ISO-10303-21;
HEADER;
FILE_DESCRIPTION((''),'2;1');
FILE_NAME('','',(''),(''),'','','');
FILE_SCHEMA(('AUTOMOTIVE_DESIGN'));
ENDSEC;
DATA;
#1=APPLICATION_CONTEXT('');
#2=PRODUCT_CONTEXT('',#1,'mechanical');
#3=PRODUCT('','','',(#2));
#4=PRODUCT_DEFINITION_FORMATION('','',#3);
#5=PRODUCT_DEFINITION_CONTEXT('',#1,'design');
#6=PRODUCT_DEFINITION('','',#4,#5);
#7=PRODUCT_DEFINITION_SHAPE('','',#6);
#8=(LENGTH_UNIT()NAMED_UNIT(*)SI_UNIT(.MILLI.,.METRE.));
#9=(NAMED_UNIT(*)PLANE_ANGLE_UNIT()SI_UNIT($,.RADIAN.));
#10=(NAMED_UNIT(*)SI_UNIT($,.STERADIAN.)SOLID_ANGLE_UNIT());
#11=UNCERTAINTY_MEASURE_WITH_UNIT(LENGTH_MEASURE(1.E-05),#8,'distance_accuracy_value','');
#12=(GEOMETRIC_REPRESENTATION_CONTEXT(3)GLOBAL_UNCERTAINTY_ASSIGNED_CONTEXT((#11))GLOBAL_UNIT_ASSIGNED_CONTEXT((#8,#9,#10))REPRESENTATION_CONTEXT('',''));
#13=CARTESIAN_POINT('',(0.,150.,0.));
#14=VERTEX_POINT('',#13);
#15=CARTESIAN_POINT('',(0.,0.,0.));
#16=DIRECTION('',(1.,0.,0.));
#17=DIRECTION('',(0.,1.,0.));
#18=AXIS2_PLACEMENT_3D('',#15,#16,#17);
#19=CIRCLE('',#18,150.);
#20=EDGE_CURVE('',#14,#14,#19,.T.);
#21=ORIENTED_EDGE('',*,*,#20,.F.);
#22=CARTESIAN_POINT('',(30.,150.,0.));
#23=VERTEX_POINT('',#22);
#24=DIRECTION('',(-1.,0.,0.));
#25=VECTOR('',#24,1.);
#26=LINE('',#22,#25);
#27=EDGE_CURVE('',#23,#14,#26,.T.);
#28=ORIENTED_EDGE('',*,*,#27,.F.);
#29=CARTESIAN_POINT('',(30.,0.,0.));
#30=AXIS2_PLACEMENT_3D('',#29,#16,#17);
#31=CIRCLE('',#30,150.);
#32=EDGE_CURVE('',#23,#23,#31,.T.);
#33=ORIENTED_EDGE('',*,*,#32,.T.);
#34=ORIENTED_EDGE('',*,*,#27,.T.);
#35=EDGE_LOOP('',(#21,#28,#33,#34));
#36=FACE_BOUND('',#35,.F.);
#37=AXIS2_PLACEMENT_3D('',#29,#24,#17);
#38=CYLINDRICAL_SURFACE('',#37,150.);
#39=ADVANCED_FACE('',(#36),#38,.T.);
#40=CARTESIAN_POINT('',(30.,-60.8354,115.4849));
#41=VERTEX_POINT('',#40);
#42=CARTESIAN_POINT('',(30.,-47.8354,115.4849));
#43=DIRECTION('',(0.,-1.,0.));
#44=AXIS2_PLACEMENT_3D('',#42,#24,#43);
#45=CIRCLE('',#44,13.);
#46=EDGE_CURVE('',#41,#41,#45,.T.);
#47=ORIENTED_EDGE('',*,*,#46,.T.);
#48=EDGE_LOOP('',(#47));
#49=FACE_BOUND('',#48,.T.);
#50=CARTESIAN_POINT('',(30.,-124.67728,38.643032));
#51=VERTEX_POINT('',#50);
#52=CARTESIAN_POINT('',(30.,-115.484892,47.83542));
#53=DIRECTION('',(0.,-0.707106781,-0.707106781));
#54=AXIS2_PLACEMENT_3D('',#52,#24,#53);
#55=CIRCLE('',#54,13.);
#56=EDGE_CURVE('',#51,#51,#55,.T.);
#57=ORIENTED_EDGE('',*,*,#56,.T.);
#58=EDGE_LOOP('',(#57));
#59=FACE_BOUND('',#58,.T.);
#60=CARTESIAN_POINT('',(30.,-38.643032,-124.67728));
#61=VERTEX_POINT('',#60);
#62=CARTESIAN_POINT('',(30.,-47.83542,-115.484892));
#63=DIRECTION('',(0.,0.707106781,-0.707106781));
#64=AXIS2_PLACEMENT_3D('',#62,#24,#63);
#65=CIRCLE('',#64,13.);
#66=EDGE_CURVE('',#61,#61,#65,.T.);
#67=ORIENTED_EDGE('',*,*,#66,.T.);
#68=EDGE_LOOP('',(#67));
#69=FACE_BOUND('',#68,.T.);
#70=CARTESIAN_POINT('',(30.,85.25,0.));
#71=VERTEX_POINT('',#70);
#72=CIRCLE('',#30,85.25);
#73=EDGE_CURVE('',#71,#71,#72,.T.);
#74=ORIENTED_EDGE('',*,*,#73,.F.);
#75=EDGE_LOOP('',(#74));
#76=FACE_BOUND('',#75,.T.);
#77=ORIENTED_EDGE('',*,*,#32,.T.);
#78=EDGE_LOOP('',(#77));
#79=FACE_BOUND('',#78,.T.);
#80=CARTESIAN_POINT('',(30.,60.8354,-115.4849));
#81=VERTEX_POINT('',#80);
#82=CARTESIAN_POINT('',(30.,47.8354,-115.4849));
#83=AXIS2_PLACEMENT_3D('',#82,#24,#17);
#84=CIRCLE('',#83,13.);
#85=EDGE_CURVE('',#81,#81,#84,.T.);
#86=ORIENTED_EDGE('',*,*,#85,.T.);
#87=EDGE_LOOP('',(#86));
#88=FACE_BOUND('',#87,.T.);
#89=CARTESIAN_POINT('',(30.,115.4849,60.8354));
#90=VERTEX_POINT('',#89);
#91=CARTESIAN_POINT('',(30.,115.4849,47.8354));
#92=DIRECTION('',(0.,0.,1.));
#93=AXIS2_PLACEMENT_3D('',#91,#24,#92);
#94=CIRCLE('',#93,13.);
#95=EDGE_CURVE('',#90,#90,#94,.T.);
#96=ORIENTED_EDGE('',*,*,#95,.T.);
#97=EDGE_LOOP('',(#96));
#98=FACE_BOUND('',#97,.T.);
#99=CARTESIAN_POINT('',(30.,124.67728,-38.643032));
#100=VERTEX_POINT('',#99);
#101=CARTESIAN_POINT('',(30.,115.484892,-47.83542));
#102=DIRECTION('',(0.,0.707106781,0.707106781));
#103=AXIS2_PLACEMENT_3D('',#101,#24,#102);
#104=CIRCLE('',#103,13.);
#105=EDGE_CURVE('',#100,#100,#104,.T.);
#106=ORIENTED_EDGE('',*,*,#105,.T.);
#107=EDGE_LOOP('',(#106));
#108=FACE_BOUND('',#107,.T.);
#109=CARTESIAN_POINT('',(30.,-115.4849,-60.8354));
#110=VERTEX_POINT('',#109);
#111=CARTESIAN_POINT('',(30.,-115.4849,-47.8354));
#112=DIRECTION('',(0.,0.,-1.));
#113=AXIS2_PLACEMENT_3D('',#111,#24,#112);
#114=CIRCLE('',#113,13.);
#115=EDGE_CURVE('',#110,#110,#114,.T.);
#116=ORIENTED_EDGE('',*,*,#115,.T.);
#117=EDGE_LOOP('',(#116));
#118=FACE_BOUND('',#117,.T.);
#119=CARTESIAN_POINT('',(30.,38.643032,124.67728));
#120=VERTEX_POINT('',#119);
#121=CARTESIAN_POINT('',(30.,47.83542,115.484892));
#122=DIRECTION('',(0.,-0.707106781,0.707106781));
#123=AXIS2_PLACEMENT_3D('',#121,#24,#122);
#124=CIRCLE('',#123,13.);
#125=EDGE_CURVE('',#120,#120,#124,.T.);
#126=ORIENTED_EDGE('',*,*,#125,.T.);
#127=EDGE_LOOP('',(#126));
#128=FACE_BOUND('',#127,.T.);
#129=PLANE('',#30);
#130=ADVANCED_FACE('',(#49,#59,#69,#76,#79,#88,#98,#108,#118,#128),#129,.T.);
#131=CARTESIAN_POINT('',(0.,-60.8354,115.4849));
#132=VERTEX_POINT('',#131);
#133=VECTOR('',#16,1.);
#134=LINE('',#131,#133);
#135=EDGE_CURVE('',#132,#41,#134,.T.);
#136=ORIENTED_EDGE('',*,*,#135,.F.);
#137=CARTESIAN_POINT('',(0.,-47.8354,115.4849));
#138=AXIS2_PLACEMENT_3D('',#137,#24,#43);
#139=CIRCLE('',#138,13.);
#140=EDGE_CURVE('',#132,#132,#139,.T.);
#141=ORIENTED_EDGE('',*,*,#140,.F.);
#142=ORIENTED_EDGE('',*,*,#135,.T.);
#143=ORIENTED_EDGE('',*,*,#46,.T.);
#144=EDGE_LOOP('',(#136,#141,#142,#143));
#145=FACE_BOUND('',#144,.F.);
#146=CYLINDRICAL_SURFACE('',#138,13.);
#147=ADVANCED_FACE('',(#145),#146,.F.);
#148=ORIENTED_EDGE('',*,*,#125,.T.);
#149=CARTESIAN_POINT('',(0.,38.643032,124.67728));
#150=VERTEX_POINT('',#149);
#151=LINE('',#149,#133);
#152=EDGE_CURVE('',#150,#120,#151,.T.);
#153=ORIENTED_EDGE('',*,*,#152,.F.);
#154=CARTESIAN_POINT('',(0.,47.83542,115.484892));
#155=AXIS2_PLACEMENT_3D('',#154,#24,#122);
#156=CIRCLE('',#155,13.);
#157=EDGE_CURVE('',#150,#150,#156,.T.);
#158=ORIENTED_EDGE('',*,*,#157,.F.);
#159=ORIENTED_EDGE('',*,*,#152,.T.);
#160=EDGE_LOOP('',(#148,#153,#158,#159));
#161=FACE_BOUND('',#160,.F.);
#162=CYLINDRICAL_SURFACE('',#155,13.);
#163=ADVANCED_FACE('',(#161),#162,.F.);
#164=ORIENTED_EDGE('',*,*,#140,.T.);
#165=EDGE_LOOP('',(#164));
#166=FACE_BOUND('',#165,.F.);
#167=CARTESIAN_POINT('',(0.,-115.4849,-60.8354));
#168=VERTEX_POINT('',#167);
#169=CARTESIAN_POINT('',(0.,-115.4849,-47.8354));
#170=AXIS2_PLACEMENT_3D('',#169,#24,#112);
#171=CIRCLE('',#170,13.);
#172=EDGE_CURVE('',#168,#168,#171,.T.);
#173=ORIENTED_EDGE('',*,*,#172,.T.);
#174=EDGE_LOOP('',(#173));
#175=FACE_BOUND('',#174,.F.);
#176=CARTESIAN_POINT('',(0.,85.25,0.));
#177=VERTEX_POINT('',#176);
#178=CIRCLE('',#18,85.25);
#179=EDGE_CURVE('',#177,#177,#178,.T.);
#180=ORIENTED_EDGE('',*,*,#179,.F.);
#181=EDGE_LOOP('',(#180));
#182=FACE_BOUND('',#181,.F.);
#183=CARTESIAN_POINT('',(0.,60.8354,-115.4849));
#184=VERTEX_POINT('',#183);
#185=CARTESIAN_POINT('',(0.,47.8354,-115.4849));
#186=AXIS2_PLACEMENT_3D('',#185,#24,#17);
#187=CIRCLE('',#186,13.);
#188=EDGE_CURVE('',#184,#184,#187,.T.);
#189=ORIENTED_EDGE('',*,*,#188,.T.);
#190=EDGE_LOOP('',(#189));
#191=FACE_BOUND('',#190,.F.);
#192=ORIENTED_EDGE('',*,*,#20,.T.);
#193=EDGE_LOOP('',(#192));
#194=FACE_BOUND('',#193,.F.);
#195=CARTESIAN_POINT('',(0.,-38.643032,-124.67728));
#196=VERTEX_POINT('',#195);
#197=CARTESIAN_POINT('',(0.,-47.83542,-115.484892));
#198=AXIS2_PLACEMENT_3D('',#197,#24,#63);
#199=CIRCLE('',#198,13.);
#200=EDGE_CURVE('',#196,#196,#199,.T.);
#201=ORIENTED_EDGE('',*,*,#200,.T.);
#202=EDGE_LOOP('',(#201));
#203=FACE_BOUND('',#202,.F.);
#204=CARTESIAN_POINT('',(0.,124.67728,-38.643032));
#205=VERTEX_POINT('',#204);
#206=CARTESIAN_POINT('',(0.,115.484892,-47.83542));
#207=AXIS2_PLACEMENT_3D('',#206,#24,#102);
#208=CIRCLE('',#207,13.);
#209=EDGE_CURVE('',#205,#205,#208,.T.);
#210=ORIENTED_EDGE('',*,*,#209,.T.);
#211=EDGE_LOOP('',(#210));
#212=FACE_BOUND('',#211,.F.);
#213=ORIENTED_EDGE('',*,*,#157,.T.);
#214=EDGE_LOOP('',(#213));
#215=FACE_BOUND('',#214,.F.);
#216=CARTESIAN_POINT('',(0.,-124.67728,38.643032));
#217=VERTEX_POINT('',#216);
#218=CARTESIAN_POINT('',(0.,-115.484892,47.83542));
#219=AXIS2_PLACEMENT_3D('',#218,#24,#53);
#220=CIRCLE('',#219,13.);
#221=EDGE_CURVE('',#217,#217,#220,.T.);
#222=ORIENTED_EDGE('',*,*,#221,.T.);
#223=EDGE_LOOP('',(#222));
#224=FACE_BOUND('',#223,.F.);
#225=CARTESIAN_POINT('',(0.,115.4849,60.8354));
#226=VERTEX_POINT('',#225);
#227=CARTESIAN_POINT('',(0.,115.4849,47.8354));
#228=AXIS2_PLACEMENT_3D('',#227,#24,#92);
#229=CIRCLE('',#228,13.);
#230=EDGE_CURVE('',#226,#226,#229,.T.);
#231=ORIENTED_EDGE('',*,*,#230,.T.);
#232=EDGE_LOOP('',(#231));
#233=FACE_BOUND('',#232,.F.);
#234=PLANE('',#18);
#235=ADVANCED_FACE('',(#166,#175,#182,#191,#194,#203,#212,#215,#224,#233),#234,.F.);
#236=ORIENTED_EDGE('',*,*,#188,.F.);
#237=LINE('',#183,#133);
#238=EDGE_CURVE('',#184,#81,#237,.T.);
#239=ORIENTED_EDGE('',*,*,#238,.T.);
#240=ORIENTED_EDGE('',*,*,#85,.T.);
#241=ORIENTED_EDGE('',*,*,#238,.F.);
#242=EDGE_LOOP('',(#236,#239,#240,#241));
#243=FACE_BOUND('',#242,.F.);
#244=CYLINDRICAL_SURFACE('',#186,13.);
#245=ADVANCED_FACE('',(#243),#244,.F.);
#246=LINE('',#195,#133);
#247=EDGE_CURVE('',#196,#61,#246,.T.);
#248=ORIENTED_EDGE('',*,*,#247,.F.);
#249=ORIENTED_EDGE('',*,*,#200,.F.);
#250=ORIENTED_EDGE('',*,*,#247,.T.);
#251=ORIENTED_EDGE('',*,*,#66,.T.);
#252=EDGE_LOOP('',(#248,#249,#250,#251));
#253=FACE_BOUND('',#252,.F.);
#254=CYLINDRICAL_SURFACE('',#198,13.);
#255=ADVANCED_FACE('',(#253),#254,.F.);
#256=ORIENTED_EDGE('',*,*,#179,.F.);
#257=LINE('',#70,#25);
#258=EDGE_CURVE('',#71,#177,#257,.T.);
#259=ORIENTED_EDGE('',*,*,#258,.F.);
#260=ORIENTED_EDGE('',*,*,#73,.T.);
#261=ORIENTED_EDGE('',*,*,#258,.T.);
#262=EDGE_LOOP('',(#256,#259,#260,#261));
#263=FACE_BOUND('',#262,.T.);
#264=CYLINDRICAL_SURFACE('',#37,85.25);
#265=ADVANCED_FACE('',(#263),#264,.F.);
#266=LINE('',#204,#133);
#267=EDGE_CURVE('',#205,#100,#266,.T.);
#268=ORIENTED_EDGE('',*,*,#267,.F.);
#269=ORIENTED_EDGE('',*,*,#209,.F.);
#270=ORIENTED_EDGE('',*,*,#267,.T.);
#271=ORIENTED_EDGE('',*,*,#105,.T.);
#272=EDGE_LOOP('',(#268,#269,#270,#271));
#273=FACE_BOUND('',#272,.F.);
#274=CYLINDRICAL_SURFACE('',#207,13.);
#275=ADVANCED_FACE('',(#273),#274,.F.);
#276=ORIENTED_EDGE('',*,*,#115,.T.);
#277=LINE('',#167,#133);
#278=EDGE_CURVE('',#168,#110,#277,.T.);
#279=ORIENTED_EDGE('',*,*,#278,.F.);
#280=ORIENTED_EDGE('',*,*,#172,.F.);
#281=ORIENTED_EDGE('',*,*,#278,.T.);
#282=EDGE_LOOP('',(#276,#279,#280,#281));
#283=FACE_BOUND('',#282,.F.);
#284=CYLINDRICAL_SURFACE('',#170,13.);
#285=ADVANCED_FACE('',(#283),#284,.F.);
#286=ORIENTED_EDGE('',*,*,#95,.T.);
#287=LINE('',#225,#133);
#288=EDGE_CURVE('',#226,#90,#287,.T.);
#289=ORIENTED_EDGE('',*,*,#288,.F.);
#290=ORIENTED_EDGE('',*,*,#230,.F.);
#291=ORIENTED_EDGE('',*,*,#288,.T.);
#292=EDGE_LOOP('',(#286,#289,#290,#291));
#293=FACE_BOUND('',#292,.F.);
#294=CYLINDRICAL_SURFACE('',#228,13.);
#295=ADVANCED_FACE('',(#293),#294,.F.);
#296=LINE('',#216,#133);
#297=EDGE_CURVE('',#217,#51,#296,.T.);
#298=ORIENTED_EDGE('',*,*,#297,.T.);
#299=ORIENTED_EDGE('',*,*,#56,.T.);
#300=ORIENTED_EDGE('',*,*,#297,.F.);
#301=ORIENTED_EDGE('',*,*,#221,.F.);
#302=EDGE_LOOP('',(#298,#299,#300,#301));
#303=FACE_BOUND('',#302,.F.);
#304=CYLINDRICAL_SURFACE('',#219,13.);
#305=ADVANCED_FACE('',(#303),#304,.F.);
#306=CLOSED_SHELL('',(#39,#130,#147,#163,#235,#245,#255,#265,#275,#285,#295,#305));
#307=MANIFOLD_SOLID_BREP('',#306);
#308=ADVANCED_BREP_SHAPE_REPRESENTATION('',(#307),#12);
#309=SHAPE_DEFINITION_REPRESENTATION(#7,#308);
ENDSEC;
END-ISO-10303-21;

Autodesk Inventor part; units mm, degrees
ref_plane "YZ Plane" through (0, 0, 0) normal (1, 0, 0) x (0, 1, 0)
ref_plane "XZ Plane" through (0, 0, 0) normal (0, 1, 0) x (-1, 0, 0)
ref_plane "XY Plane" through (0, 0, 0) normal (0, 0, 1) x (1, 0, 0)
sketch "Sketch1" plane through (0, 0, 0) normal (0, 0, 1) x (1, 0, 0)
  line L0 (30, 150) -> (0, 150)
  line L1 (0, 150) -> (0, 85.25)
  line L2 (0, 85.25) -> (0, 0) construction
  line L3 (0, 0) -> (30, 0) construction
  line L4 (30, 150) -> (30, 85.25)
  line L5 (30, 85.25) -> (0, 85.25)
  line L6 (30, 85.25) -> (30, 0) construction
  dimension "d0" = 300
  dimension "d1" = 30
  dimension "d5" = 170.5
revolve "Revolution1" add sketch "Sketch1" angle 360 about axis through (0, 0, 0) along (1, 0, 0)
sketch "Sketch2" plane through (0, 0, 0) normal (-1, 0, 0) x (0, 0, 1)
  circle A0 centre (0, 0) radius 85.25 projected
  line L0 (0, 125) -> (0, 0) construction
  circle A1 centre (0, 0) radius 150 projected
  circle A2 centre (0, 0) radius 125 construction
  line L1 (0, 0) -> (47.8354, 115.4849) construction
  circle A3 centre (47.8354, 115.4849) radius 13
  dimension "d6" = 26
  dimension "d7" = 125
  dimension "d8" = 22.5
extrude "Extrusion1" cut sketch "Sketch2" against normal through all contours A3
pattern_circular "Circular Pattern1" count 8 over 360 about axis through (15, 0, 0) along (1, 0, 0) of "Extrusion1"
equation "\"d6\" = dd2"
equation "\"d7\" = 0.5 * k"
equation "\"d0\" = D"
equation "\"d1\" = b"
equation "\"d5\" = dd5"
equation "\"b\" = 30"
equation "\"D\" = 300"
equation "\"dd2\" = 26"
equation "\"dd5\" = 170.5"
equation "\"Size_Designation\" = 1.2345"
equation "\"k\" = 250"
properties part number "DIN EN 1092-1 Plate Flange for Welding Type 01 - PN 25 150 x 168.3" material "Steel"
